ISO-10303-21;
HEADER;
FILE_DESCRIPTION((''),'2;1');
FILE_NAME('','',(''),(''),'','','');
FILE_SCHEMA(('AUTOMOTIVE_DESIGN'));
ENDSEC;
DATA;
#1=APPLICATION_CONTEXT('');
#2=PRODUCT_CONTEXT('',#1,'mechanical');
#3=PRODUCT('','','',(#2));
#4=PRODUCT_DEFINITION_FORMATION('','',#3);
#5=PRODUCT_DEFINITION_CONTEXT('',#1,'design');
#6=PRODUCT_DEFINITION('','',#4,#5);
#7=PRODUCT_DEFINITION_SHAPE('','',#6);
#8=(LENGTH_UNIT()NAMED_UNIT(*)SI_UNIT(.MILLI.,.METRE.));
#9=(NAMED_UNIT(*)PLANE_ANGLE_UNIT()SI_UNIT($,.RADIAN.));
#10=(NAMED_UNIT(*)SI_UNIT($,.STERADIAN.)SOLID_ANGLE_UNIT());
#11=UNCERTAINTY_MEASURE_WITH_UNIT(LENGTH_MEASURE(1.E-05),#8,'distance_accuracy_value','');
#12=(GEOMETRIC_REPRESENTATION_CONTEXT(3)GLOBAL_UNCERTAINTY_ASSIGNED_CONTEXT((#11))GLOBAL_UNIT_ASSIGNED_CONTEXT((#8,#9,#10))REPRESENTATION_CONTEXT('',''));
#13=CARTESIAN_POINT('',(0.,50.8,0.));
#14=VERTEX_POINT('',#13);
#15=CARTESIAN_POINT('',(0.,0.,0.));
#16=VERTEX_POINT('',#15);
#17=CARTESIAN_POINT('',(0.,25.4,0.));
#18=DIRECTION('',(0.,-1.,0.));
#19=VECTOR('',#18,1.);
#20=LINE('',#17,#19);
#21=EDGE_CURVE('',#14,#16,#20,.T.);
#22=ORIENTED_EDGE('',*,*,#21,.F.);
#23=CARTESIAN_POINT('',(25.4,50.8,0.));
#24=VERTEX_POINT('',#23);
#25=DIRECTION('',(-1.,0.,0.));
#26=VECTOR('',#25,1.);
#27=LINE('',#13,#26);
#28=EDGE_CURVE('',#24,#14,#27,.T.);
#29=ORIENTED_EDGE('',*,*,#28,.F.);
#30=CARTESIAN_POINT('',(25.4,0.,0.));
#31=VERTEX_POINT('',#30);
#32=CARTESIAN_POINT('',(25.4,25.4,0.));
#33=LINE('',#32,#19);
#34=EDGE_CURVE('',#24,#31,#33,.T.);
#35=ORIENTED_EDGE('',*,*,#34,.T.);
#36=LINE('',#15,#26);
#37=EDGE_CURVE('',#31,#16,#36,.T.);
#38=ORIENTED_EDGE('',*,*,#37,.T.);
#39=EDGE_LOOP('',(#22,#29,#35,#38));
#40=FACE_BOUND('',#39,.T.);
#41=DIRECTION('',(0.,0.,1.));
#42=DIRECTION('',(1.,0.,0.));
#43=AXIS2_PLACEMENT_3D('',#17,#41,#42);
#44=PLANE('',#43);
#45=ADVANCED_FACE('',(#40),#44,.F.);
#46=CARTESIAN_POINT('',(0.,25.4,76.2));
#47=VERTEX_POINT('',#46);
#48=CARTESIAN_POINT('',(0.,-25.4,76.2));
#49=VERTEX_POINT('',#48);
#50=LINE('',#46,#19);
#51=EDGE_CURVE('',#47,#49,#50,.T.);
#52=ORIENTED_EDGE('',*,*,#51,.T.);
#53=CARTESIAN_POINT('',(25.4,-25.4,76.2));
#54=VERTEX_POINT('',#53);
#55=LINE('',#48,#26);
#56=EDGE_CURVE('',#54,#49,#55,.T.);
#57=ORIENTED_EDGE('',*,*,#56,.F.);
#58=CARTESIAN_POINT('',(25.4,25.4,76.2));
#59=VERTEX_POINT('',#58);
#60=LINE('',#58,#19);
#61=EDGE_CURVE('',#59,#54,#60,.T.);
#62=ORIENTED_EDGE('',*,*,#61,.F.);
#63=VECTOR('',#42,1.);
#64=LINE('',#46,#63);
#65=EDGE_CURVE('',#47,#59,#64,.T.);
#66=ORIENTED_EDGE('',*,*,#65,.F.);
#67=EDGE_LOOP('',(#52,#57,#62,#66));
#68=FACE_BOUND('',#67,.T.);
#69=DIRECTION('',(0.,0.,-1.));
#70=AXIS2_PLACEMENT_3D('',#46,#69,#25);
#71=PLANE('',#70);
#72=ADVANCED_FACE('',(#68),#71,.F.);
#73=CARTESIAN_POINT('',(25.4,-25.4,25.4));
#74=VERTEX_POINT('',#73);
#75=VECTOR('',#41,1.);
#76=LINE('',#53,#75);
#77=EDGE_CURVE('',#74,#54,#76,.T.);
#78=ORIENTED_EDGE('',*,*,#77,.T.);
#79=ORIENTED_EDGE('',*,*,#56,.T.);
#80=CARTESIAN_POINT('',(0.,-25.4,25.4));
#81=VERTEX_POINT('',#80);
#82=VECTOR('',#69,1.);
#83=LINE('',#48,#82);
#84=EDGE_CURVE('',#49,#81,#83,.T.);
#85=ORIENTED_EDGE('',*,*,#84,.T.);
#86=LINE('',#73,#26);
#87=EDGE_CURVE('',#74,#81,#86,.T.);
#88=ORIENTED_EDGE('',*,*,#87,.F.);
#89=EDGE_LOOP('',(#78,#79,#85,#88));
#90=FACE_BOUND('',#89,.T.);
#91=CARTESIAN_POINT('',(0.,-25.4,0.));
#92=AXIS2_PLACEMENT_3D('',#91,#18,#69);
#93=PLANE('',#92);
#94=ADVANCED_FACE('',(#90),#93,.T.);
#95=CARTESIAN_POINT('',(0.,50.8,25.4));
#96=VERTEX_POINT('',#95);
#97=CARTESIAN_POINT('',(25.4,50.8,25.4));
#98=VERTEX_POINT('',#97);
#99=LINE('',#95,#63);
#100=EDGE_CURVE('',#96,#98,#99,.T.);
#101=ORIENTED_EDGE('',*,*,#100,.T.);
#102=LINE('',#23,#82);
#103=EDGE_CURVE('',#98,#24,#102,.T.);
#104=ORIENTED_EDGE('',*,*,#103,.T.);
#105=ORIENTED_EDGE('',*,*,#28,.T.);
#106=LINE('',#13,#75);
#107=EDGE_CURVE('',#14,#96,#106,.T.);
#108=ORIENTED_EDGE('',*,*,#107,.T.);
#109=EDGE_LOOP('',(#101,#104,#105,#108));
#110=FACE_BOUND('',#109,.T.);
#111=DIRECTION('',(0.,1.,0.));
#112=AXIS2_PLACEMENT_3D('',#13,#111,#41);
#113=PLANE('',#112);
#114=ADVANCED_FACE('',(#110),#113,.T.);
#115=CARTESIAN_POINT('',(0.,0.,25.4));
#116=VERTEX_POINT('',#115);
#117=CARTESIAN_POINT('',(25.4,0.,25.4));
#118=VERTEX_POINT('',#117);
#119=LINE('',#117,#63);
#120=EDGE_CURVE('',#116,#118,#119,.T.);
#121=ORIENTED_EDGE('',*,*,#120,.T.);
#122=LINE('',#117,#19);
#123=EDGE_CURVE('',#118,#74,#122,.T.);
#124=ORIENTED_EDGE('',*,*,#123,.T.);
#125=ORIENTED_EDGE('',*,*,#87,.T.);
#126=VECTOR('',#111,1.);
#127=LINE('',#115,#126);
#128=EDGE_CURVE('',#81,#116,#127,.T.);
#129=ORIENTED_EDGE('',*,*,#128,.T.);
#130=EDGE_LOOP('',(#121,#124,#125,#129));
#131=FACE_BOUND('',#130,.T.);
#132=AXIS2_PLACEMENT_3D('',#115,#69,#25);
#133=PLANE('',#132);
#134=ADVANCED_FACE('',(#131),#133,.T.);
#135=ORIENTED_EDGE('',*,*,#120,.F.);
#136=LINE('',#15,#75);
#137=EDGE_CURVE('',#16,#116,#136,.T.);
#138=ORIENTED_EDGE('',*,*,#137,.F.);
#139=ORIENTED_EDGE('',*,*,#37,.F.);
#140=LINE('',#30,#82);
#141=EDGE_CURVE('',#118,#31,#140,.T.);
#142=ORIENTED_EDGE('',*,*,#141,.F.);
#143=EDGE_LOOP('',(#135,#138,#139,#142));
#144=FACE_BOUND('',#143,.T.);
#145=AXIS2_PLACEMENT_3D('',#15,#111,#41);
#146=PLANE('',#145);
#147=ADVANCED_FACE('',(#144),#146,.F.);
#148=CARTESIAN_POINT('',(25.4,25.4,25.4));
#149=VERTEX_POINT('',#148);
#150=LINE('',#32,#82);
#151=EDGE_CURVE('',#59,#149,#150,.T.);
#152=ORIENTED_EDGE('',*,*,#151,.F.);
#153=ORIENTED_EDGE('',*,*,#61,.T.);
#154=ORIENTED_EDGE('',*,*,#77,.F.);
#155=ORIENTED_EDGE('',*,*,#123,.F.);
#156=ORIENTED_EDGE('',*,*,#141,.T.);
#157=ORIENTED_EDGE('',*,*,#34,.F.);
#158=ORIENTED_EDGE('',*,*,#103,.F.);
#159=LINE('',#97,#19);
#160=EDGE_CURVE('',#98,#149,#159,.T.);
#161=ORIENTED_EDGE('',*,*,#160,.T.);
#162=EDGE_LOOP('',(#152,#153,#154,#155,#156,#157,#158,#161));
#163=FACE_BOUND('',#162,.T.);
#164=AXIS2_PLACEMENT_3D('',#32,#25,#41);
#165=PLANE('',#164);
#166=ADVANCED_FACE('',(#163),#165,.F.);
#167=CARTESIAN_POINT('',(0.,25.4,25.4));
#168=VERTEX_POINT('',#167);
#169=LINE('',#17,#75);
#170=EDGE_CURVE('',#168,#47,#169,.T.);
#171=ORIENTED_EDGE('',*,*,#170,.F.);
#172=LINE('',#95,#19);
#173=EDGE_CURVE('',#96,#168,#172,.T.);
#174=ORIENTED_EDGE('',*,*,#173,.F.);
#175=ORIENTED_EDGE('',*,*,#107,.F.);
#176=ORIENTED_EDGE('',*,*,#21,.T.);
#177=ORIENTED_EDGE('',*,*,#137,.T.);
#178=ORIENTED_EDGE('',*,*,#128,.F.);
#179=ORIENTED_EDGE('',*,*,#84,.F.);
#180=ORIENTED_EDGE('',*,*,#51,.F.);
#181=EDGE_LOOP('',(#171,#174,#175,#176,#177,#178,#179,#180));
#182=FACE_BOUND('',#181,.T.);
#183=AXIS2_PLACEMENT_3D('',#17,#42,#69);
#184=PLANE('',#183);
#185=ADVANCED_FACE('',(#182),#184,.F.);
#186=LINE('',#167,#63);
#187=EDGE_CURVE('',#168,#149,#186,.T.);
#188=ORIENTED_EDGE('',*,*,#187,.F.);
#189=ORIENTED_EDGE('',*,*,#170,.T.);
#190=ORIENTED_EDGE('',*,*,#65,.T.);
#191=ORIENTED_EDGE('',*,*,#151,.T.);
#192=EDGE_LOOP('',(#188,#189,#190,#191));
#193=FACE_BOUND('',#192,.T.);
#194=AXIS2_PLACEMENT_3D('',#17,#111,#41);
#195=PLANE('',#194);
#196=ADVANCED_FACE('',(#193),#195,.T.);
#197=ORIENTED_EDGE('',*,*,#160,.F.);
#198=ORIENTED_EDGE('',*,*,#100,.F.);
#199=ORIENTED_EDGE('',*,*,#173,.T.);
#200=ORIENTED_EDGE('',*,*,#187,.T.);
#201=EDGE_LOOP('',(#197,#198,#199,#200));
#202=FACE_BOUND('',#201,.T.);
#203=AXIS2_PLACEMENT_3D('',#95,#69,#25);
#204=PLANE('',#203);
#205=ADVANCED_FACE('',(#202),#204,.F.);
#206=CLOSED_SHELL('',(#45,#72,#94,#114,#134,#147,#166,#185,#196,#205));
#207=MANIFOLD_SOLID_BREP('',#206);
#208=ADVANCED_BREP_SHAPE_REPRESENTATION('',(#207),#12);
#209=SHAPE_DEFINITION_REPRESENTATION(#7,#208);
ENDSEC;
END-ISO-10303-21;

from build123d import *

# Parameters (mm, degrees)
SKETCH1_W           = 25.4
SKETCH1_H           = 76.2
BOSS_EXTRUDE3_DEPTH = 25.4
SKETCH3_W           = 25.4
SKETCH3_H           = 25.4
BOSS_EXTRUDE4_DEPTH = 25.4
SKETCH5_W           = 25.4
SKETCH5_H           = 25.4
BOSS_EXTRUDE5_DEPTH = 25.4
SKETCH7_W           = 25.4
SKETCH7_H           = 25.4
BOSS_EXTRUDE6_DEPTH = 25.4


with BuildPart() as part:
    # Sketch1 → Boss-Extrude3 (new body)
    with BuildSketch(Plane(origin=(0, 0, 0), x_dir=(1, 0, 0), z_dir=(0, 1, 0))):
        with Locations((12.7, -38.1)):
            Rectangle(SKETCH1_W, SKETCH1_H)
    extrude(amount=BOSS_EXTRUDE3_DEPTH)

    # Sketch3 → Boss-Extrude4 (add)
    with BuildSketch(Plane(origin=(0, 25.4, 0), x_dir=(1, 0, 0), z_dir=(0, 1, 0))):
        with Locations((12.7, -12.7)):
            Rectangle(SKETCH3_W, SKETCH3_H)
    extrude(amount=BOSS_EXTRUDE4_DEPTH)

    # Sketch5 → Boss-Extrude5 (add)
    with BuildSketch(Plane(origin=(0, 0, 0), x_dir=(-1, 0, 0), z_dir=(0, -1, 0))):
        with Locations((-12.7, -63.5)):
            Rectangle(SKETCH5_W, SKETCH5_H)
    extrude(amount=BOSS_EXTRUDE5_DEPTH)

    # Sketch7 → Boss-Extrude6 (add)
    with BuildSketch(Plane(origin=(0, 0, 50.8), x_dir=(-1, 0, 0), z_dir=(0, 0, -1))):
        with Locations((-12.7, -12.7)):
            Rectangle(SKETCH7_W, SKETCH7_H)
    extrude(amount=BOSS_EXTRUDE6_DEPTH)


solid = part.part
